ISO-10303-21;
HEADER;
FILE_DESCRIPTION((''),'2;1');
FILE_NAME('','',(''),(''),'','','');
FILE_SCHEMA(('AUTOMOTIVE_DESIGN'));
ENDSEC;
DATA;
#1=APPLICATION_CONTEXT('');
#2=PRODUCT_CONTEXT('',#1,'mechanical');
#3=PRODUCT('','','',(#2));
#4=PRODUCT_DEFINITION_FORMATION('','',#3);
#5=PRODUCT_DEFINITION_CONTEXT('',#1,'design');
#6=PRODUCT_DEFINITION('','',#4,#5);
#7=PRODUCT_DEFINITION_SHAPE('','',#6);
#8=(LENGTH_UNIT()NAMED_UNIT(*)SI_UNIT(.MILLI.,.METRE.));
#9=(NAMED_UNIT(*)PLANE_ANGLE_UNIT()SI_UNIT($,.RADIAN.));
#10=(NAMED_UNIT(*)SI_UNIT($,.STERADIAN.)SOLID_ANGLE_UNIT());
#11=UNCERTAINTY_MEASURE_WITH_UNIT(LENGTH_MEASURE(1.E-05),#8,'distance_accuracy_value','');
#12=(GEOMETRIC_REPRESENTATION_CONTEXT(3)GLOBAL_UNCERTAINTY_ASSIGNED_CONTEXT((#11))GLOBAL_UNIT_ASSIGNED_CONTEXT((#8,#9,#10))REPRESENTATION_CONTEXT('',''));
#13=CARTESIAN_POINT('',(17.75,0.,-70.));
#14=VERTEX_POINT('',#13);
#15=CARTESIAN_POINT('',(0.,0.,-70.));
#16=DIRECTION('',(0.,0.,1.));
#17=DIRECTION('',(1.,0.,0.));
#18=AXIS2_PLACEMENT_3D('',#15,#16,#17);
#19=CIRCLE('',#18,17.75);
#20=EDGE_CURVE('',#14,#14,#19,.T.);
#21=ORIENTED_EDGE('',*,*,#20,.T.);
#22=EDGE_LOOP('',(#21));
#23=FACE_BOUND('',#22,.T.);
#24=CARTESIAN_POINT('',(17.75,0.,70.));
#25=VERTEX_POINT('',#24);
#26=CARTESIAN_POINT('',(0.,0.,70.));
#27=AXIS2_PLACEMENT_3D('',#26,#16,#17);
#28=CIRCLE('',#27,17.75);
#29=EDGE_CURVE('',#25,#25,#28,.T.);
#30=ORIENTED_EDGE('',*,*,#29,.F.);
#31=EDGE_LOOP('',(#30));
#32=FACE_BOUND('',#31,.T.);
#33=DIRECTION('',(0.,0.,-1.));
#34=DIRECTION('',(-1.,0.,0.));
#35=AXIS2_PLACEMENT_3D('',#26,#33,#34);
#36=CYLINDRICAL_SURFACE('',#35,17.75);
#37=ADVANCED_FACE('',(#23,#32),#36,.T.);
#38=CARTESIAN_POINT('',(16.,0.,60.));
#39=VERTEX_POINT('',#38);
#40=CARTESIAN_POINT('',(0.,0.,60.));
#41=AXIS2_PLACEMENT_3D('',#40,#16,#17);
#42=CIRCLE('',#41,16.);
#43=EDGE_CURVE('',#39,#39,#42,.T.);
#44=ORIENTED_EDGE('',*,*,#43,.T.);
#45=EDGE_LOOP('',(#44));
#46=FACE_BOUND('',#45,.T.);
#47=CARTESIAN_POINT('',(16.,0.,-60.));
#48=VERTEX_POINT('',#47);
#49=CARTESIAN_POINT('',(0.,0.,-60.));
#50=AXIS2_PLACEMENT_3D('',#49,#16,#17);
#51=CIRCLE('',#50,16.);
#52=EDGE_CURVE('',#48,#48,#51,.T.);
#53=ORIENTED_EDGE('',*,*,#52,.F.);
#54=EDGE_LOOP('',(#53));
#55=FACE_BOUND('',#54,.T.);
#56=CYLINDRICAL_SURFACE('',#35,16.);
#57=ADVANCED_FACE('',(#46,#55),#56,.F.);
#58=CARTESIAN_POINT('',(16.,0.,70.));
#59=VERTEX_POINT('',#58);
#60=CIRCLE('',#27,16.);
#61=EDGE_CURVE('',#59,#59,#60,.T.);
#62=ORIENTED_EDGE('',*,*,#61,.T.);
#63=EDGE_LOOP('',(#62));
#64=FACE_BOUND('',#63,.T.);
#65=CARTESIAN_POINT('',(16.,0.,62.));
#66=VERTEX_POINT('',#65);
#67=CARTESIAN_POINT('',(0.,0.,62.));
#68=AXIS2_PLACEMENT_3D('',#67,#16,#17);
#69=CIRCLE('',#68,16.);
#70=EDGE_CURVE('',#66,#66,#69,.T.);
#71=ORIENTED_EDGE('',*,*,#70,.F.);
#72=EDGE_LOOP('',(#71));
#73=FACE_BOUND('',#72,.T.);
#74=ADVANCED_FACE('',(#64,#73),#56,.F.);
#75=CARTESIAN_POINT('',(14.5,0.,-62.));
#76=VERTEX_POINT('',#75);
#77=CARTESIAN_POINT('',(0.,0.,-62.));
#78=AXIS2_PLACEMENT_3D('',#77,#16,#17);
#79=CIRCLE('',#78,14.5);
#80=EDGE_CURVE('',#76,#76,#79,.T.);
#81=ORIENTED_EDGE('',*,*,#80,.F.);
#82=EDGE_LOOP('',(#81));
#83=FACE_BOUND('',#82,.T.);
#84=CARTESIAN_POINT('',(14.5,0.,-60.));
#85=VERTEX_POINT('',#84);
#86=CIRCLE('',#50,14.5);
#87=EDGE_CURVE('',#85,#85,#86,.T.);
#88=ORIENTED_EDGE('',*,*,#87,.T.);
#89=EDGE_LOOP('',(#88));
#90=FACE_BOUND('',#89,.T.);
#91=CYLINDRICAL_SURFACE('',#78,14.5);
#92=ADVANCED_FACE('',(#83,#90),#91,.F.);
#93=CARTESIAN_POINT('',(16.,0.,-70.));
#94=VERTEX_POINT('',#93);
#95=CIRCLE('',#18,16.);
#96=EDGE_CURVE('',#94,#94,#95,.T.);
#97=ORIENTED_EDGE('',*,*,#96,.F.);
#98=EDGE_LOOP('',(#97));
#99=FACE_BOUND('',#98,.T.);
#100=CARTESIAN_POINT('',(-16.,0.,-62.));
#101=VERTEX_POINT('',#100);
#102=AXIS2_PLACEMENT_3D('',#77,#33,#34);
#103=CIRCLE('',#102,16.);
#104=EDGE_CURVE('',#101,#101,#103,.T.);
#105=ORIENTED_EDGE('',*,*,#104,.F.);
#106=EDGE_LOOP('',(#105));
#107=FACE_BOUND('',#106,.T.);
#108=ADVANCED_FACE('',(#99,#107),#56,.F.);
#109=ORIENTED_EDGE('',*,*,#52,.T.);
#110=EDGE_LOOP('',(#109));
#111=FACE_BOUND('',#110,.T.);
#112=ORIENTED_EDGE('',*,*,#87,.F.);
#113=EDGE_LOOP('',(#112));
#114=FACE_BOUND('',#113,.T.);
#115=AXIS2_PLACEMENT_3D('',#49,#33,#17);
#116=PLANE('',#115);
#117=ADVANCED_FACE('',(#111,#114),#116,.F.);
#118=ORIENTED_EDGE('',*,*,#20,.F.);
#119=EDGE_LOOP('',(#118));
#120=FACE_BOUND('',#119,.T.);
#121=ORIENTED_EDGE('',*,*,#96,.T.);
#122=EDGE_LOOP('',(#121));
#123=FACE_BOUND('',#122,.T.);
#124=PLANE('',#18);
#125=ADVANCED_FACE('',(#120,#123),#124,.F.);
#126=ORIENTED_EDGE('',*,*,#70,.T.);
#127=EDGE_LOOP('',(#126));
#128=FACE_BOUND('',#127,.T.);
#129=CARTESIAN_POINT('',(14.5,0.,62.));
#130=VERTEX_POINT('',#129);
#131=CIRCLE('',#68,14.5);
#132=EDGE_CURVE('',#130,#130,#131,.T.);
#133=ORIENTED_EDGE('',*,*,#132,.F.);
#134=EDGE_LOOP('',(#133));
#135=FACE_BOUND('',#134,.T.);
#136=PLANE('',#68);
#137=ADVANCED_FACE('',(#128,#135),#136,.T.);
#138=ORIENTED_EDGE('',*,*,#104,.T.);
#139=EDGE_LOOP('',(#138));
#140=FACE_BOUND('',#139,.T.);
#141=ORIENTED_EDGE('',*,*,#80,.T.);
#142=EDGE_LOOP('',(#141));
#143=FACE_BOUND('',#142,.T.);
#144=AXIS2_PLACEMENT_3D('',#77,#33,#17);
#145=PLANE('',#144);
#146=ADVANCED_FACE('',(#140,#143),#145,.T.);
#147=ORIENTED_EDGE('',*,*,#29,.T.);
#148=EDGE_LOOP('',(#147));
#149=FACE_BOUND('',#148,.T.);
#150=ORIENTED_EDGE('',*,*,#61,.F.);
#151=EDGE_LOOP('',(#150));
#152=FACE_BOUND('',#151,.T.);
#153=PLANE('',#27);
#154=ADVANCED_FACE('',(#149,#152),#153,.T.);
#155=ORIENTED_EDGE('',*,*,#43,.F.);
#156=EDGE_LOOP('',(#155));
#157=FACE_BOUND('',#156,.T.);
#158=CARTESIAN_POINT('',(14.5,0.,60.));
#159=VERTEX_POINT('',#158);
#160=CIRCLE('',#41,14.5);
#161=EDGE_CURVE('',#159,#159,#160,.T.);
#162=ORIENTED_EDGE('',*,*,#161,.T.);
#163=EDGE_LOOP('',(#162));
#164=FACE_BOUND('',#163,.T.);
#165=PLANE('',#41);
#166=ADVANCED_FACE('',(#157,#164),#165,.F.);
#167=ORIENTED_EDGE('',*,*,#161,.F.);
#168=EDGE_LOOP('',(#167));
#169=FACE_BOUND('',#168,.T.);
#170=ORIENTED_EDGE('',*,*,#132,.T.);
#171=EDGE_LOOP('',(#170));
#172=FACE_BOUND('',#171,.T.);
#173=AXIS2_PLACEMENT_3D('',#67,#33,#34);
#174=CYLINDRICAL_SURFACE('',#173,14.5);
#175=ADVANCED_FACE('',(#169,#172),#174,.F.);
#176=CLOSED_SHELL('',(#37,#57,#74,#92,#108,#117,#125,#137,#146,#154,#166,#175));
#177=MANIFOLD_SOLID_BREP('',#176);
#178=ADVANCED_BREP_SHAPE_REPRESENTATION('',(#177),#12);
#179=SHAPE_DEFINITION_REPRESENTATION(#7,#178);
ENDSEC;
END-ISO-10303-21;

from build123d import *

# Parameters (mm, degrees)
SKETCH1_R           = 17.75
SKETCH1_R_2         = 16
BOSS_EXTRUDE1_DEPTH = 70
BOSS_EXTRUDE2_START = 60
SKETCH2_R           = 16
SKETCH2_R_2         = 14.5
BOSS_EXTRUDE2_DEPTH = 2


with BuildPart() as part:
    # Sketch1 → Boss-Extrude1 (new, symmetric)
    with BuildSketch(Plane.XY):
        Circle(SKETCH1_R)
        Circle(SKETCH1_R_2, mode=Mode.SUBTRACT)
    extrude(amount=BOSS_EXTRUDE1_DEPTH, both=True)

    # Sketch2 → Boss-Extrude2 (add)
    with BuildSketch(Plane.XY.offset(BOSS_EXTRUDE2_START)):
        Circle(SKETCH2_R)
        Circle(SKETCH2_R_2, mode=Mode.SUBTRACT)
    boss_extrude2 = extrude(amount=BOSS_EXTRUDE2_DEPTH)

    # Mirror1: Boss-Extrude2 across plane
    add(boss_extrude2.mirror(Plane.XY))


solid = part.part
